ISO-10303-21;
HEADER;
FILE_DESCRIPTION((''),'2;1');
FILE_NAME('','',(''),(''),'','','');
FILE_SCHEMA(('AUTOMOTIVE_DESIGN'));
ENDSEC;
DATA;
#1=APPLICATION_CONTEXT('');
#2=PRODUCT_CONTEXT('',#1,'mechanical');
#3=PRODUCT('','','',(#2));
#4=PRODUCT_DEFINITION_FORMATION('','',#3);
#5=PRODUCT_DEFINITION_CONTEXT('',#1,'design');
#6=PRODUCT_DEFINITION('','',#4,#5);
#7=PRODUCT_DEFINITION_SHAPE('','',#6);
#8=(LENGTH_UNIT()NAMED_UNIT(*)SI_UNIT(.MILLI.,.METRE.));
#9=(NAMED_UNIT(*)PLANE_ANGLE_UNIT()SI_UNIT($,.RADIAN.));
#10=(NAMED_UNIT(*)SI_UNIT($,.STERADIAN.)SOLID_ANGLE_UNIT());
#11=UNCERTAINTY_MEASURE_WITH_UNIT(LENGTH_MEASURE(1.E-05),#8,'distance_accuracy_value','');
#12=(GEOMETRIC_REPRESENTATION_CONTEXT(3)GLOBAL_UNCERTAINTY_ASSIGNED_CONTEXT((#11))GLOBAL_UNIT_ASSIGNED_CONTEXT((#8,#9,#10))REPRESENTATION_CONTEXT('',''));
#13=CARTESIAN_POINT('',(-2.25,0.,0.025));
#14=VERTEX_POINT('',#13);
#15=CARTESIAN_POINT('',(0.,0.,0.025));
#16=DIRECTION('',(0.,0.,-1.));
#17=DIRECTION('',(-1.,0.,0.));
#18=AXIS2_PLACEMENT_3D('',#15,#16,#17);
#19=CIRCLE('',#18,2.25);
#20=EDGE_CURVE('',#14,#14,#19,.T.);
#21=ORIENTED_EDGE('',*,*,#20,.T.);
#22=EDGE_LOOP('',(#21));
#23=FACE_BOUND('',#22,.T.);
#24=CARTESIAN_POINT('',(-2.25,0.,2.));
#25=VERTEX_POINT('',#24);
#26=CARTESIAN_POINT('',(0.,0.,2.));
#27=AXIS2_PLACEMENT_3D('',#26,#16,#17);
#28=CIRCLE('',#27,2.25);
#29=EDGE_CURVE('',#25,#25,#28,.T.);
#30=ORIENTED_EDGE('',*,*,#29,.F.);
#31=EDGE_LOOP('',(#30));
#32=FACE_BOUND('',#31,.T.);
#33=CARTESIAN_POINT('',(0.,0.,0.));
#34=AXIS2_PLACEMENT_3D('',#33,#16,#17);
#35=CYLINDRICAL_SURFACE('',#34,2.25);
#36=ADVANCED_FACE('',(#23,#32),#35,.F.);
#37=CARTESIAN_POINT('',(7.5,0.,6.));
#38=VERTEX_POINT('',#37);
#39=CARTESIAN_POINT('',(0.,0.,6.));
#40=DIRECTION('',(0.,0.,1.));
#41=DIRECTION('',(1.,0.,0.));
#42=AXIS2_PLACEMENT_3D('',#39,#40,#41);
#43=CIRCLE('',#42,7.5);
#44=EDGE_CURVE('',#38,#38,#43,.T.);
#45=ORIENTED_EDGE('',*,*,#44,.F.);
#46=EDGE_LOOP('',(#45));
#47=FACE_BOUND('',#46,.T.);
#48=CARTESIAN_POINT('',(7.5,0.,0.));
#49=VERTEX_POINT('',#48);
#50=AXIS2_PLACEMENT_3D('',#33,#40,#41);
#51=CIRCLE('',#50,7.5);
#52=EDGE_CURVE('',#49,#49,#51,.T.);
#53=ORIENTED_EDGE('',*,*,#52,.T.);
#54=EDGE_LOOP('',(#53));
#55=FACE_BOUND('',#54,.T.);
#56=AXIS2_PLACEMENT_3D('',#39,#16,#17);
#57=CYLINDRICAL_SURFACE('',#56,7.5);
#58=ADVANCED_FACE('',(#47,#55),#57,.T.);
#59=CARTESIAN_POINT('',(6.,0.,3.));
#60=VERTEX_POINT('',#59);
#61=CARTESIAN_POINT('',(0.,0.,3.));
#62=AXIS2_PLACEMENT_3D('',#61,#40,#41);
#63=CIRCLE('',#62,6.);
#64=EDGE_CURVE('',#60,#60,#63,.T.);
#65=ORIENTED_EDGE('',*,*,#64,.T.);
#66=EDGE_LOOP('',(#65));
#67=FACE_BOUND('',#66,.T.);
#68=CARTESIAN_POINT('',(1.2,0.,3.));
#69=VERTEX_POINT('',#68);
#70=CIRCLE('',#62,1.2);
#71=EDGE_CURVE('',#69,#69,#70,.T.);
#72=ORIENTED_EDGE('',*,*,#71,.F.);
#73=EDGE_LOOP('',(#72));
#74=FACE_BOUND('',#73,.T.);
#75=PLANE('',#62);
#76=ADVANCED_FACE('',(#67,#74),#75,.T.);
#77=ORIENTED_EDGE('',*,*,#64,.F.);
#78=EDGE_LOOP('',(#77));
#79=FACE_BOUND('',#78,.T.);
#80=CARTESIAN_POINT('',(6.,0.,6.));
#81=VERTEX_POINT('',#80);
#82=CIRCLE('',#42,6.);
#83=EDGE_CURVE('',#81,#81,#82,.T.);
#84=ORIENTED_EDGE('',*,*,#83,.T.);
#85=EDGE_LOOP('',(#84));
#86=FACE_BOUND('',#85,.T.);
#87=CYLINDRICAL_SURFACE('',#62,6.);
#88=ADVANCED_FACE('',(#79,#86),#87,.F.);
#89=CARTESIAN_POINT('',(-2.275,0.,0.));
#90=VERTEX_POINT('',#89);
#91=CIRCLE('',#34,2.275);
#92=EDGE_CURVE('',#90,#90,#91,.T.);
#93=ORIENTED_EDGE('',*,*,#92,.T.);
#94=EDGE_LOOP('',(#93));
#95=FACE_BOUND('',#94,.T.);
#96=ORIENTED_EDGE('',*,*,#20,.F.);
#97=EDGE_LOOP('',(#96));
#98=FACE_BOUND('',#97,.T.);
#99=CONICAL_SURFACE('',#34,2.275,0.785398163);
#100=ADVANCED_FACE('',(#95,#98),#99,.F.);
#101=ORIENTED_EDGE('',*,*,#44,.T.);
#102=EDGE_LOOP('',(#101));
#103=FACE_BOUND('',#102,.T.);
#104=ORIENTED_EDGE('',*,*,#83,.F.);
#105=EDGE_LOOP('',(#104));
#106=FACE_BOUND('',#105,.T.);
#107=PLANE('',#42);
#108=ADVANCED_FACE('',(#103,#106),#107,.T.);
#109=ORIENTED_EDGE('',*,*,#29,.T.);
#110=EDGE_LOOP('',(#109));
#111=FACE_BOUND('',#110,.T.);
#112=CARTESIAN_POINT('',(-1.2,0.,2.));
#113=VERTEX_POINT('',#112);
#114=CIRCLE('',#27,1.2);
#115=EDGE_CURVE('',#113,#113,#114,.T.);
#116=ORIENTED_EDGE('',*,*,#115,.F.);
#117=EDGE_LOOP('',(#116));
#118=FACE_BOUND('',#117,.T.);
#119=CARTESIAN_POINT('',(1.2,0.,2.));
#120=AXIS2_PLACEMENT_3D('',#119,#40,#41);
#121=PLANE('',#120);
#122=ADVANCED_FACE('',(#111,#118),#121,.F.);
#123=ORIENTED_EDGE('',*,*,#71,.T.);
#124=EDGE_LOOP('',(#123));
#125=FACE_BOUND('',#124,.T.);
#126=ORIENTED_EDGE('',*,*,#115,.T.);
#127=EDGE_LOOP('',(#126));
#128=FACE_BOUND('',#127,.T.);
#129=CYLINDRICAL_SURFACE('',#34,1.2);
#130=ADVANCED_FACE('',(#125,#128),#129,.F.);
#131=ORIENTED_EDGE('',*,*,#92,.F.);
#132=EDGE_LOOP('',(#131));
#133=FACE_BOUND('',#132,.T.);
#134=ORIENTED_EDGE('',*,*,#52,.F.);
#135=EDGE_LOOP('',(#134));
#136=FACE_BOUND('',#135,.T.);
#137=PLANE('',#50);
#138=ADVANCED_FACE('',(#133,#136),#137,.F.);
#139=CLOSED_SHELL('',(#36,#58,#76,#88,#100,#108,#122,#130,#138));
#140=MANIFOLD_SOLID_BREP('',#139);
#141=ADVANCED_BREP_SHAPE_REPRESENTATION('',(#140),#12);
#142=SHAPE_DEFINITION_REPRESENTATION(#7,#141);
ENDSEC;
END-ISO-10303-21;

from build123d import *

# Parameters (mm, degrees)
SKETCH_1_R          = 7.5
EXTRUDE_1_DEPTH     = 6
SKETCH_2_R          = 6
CUT_EXTRUDE_1_DEPTH = 3


with BuildPart() as part:
    # 스케치1 → 보스-돌출1 (new body)
    with BuildSketch(Plane.XY):
        Circle(SKETCH_1_R)
    extrude(amount=EXTRUDE_1_DEPTH)

    # 스케치2 → 컷-돌출1 (cut)
    with BuildSketch(Plane.XY.offset(6)):
        Circle(SKETCH_2_R)
    extrude(amount=-CUT_EXTRUDE_1_DEPTH, mode=Mode.SUBTRACT)

    # 스케치8 → M2 소켓 머리 캡 나사용 카운터보어2 (revolve, cut)
    with BuildSketch(Plane.YZ):
        Polygon((0, 0), (0, 5.721032743), (1.2, 5), (1.2, 2), (2.25, 2), (2.25, 0.025), (2.275, 0), align=None)
    revolve(axis=Axis((0, 0, -6.35), (0, 0, 1)), mode=Mode.SUBTRACT)


solid = part.part
